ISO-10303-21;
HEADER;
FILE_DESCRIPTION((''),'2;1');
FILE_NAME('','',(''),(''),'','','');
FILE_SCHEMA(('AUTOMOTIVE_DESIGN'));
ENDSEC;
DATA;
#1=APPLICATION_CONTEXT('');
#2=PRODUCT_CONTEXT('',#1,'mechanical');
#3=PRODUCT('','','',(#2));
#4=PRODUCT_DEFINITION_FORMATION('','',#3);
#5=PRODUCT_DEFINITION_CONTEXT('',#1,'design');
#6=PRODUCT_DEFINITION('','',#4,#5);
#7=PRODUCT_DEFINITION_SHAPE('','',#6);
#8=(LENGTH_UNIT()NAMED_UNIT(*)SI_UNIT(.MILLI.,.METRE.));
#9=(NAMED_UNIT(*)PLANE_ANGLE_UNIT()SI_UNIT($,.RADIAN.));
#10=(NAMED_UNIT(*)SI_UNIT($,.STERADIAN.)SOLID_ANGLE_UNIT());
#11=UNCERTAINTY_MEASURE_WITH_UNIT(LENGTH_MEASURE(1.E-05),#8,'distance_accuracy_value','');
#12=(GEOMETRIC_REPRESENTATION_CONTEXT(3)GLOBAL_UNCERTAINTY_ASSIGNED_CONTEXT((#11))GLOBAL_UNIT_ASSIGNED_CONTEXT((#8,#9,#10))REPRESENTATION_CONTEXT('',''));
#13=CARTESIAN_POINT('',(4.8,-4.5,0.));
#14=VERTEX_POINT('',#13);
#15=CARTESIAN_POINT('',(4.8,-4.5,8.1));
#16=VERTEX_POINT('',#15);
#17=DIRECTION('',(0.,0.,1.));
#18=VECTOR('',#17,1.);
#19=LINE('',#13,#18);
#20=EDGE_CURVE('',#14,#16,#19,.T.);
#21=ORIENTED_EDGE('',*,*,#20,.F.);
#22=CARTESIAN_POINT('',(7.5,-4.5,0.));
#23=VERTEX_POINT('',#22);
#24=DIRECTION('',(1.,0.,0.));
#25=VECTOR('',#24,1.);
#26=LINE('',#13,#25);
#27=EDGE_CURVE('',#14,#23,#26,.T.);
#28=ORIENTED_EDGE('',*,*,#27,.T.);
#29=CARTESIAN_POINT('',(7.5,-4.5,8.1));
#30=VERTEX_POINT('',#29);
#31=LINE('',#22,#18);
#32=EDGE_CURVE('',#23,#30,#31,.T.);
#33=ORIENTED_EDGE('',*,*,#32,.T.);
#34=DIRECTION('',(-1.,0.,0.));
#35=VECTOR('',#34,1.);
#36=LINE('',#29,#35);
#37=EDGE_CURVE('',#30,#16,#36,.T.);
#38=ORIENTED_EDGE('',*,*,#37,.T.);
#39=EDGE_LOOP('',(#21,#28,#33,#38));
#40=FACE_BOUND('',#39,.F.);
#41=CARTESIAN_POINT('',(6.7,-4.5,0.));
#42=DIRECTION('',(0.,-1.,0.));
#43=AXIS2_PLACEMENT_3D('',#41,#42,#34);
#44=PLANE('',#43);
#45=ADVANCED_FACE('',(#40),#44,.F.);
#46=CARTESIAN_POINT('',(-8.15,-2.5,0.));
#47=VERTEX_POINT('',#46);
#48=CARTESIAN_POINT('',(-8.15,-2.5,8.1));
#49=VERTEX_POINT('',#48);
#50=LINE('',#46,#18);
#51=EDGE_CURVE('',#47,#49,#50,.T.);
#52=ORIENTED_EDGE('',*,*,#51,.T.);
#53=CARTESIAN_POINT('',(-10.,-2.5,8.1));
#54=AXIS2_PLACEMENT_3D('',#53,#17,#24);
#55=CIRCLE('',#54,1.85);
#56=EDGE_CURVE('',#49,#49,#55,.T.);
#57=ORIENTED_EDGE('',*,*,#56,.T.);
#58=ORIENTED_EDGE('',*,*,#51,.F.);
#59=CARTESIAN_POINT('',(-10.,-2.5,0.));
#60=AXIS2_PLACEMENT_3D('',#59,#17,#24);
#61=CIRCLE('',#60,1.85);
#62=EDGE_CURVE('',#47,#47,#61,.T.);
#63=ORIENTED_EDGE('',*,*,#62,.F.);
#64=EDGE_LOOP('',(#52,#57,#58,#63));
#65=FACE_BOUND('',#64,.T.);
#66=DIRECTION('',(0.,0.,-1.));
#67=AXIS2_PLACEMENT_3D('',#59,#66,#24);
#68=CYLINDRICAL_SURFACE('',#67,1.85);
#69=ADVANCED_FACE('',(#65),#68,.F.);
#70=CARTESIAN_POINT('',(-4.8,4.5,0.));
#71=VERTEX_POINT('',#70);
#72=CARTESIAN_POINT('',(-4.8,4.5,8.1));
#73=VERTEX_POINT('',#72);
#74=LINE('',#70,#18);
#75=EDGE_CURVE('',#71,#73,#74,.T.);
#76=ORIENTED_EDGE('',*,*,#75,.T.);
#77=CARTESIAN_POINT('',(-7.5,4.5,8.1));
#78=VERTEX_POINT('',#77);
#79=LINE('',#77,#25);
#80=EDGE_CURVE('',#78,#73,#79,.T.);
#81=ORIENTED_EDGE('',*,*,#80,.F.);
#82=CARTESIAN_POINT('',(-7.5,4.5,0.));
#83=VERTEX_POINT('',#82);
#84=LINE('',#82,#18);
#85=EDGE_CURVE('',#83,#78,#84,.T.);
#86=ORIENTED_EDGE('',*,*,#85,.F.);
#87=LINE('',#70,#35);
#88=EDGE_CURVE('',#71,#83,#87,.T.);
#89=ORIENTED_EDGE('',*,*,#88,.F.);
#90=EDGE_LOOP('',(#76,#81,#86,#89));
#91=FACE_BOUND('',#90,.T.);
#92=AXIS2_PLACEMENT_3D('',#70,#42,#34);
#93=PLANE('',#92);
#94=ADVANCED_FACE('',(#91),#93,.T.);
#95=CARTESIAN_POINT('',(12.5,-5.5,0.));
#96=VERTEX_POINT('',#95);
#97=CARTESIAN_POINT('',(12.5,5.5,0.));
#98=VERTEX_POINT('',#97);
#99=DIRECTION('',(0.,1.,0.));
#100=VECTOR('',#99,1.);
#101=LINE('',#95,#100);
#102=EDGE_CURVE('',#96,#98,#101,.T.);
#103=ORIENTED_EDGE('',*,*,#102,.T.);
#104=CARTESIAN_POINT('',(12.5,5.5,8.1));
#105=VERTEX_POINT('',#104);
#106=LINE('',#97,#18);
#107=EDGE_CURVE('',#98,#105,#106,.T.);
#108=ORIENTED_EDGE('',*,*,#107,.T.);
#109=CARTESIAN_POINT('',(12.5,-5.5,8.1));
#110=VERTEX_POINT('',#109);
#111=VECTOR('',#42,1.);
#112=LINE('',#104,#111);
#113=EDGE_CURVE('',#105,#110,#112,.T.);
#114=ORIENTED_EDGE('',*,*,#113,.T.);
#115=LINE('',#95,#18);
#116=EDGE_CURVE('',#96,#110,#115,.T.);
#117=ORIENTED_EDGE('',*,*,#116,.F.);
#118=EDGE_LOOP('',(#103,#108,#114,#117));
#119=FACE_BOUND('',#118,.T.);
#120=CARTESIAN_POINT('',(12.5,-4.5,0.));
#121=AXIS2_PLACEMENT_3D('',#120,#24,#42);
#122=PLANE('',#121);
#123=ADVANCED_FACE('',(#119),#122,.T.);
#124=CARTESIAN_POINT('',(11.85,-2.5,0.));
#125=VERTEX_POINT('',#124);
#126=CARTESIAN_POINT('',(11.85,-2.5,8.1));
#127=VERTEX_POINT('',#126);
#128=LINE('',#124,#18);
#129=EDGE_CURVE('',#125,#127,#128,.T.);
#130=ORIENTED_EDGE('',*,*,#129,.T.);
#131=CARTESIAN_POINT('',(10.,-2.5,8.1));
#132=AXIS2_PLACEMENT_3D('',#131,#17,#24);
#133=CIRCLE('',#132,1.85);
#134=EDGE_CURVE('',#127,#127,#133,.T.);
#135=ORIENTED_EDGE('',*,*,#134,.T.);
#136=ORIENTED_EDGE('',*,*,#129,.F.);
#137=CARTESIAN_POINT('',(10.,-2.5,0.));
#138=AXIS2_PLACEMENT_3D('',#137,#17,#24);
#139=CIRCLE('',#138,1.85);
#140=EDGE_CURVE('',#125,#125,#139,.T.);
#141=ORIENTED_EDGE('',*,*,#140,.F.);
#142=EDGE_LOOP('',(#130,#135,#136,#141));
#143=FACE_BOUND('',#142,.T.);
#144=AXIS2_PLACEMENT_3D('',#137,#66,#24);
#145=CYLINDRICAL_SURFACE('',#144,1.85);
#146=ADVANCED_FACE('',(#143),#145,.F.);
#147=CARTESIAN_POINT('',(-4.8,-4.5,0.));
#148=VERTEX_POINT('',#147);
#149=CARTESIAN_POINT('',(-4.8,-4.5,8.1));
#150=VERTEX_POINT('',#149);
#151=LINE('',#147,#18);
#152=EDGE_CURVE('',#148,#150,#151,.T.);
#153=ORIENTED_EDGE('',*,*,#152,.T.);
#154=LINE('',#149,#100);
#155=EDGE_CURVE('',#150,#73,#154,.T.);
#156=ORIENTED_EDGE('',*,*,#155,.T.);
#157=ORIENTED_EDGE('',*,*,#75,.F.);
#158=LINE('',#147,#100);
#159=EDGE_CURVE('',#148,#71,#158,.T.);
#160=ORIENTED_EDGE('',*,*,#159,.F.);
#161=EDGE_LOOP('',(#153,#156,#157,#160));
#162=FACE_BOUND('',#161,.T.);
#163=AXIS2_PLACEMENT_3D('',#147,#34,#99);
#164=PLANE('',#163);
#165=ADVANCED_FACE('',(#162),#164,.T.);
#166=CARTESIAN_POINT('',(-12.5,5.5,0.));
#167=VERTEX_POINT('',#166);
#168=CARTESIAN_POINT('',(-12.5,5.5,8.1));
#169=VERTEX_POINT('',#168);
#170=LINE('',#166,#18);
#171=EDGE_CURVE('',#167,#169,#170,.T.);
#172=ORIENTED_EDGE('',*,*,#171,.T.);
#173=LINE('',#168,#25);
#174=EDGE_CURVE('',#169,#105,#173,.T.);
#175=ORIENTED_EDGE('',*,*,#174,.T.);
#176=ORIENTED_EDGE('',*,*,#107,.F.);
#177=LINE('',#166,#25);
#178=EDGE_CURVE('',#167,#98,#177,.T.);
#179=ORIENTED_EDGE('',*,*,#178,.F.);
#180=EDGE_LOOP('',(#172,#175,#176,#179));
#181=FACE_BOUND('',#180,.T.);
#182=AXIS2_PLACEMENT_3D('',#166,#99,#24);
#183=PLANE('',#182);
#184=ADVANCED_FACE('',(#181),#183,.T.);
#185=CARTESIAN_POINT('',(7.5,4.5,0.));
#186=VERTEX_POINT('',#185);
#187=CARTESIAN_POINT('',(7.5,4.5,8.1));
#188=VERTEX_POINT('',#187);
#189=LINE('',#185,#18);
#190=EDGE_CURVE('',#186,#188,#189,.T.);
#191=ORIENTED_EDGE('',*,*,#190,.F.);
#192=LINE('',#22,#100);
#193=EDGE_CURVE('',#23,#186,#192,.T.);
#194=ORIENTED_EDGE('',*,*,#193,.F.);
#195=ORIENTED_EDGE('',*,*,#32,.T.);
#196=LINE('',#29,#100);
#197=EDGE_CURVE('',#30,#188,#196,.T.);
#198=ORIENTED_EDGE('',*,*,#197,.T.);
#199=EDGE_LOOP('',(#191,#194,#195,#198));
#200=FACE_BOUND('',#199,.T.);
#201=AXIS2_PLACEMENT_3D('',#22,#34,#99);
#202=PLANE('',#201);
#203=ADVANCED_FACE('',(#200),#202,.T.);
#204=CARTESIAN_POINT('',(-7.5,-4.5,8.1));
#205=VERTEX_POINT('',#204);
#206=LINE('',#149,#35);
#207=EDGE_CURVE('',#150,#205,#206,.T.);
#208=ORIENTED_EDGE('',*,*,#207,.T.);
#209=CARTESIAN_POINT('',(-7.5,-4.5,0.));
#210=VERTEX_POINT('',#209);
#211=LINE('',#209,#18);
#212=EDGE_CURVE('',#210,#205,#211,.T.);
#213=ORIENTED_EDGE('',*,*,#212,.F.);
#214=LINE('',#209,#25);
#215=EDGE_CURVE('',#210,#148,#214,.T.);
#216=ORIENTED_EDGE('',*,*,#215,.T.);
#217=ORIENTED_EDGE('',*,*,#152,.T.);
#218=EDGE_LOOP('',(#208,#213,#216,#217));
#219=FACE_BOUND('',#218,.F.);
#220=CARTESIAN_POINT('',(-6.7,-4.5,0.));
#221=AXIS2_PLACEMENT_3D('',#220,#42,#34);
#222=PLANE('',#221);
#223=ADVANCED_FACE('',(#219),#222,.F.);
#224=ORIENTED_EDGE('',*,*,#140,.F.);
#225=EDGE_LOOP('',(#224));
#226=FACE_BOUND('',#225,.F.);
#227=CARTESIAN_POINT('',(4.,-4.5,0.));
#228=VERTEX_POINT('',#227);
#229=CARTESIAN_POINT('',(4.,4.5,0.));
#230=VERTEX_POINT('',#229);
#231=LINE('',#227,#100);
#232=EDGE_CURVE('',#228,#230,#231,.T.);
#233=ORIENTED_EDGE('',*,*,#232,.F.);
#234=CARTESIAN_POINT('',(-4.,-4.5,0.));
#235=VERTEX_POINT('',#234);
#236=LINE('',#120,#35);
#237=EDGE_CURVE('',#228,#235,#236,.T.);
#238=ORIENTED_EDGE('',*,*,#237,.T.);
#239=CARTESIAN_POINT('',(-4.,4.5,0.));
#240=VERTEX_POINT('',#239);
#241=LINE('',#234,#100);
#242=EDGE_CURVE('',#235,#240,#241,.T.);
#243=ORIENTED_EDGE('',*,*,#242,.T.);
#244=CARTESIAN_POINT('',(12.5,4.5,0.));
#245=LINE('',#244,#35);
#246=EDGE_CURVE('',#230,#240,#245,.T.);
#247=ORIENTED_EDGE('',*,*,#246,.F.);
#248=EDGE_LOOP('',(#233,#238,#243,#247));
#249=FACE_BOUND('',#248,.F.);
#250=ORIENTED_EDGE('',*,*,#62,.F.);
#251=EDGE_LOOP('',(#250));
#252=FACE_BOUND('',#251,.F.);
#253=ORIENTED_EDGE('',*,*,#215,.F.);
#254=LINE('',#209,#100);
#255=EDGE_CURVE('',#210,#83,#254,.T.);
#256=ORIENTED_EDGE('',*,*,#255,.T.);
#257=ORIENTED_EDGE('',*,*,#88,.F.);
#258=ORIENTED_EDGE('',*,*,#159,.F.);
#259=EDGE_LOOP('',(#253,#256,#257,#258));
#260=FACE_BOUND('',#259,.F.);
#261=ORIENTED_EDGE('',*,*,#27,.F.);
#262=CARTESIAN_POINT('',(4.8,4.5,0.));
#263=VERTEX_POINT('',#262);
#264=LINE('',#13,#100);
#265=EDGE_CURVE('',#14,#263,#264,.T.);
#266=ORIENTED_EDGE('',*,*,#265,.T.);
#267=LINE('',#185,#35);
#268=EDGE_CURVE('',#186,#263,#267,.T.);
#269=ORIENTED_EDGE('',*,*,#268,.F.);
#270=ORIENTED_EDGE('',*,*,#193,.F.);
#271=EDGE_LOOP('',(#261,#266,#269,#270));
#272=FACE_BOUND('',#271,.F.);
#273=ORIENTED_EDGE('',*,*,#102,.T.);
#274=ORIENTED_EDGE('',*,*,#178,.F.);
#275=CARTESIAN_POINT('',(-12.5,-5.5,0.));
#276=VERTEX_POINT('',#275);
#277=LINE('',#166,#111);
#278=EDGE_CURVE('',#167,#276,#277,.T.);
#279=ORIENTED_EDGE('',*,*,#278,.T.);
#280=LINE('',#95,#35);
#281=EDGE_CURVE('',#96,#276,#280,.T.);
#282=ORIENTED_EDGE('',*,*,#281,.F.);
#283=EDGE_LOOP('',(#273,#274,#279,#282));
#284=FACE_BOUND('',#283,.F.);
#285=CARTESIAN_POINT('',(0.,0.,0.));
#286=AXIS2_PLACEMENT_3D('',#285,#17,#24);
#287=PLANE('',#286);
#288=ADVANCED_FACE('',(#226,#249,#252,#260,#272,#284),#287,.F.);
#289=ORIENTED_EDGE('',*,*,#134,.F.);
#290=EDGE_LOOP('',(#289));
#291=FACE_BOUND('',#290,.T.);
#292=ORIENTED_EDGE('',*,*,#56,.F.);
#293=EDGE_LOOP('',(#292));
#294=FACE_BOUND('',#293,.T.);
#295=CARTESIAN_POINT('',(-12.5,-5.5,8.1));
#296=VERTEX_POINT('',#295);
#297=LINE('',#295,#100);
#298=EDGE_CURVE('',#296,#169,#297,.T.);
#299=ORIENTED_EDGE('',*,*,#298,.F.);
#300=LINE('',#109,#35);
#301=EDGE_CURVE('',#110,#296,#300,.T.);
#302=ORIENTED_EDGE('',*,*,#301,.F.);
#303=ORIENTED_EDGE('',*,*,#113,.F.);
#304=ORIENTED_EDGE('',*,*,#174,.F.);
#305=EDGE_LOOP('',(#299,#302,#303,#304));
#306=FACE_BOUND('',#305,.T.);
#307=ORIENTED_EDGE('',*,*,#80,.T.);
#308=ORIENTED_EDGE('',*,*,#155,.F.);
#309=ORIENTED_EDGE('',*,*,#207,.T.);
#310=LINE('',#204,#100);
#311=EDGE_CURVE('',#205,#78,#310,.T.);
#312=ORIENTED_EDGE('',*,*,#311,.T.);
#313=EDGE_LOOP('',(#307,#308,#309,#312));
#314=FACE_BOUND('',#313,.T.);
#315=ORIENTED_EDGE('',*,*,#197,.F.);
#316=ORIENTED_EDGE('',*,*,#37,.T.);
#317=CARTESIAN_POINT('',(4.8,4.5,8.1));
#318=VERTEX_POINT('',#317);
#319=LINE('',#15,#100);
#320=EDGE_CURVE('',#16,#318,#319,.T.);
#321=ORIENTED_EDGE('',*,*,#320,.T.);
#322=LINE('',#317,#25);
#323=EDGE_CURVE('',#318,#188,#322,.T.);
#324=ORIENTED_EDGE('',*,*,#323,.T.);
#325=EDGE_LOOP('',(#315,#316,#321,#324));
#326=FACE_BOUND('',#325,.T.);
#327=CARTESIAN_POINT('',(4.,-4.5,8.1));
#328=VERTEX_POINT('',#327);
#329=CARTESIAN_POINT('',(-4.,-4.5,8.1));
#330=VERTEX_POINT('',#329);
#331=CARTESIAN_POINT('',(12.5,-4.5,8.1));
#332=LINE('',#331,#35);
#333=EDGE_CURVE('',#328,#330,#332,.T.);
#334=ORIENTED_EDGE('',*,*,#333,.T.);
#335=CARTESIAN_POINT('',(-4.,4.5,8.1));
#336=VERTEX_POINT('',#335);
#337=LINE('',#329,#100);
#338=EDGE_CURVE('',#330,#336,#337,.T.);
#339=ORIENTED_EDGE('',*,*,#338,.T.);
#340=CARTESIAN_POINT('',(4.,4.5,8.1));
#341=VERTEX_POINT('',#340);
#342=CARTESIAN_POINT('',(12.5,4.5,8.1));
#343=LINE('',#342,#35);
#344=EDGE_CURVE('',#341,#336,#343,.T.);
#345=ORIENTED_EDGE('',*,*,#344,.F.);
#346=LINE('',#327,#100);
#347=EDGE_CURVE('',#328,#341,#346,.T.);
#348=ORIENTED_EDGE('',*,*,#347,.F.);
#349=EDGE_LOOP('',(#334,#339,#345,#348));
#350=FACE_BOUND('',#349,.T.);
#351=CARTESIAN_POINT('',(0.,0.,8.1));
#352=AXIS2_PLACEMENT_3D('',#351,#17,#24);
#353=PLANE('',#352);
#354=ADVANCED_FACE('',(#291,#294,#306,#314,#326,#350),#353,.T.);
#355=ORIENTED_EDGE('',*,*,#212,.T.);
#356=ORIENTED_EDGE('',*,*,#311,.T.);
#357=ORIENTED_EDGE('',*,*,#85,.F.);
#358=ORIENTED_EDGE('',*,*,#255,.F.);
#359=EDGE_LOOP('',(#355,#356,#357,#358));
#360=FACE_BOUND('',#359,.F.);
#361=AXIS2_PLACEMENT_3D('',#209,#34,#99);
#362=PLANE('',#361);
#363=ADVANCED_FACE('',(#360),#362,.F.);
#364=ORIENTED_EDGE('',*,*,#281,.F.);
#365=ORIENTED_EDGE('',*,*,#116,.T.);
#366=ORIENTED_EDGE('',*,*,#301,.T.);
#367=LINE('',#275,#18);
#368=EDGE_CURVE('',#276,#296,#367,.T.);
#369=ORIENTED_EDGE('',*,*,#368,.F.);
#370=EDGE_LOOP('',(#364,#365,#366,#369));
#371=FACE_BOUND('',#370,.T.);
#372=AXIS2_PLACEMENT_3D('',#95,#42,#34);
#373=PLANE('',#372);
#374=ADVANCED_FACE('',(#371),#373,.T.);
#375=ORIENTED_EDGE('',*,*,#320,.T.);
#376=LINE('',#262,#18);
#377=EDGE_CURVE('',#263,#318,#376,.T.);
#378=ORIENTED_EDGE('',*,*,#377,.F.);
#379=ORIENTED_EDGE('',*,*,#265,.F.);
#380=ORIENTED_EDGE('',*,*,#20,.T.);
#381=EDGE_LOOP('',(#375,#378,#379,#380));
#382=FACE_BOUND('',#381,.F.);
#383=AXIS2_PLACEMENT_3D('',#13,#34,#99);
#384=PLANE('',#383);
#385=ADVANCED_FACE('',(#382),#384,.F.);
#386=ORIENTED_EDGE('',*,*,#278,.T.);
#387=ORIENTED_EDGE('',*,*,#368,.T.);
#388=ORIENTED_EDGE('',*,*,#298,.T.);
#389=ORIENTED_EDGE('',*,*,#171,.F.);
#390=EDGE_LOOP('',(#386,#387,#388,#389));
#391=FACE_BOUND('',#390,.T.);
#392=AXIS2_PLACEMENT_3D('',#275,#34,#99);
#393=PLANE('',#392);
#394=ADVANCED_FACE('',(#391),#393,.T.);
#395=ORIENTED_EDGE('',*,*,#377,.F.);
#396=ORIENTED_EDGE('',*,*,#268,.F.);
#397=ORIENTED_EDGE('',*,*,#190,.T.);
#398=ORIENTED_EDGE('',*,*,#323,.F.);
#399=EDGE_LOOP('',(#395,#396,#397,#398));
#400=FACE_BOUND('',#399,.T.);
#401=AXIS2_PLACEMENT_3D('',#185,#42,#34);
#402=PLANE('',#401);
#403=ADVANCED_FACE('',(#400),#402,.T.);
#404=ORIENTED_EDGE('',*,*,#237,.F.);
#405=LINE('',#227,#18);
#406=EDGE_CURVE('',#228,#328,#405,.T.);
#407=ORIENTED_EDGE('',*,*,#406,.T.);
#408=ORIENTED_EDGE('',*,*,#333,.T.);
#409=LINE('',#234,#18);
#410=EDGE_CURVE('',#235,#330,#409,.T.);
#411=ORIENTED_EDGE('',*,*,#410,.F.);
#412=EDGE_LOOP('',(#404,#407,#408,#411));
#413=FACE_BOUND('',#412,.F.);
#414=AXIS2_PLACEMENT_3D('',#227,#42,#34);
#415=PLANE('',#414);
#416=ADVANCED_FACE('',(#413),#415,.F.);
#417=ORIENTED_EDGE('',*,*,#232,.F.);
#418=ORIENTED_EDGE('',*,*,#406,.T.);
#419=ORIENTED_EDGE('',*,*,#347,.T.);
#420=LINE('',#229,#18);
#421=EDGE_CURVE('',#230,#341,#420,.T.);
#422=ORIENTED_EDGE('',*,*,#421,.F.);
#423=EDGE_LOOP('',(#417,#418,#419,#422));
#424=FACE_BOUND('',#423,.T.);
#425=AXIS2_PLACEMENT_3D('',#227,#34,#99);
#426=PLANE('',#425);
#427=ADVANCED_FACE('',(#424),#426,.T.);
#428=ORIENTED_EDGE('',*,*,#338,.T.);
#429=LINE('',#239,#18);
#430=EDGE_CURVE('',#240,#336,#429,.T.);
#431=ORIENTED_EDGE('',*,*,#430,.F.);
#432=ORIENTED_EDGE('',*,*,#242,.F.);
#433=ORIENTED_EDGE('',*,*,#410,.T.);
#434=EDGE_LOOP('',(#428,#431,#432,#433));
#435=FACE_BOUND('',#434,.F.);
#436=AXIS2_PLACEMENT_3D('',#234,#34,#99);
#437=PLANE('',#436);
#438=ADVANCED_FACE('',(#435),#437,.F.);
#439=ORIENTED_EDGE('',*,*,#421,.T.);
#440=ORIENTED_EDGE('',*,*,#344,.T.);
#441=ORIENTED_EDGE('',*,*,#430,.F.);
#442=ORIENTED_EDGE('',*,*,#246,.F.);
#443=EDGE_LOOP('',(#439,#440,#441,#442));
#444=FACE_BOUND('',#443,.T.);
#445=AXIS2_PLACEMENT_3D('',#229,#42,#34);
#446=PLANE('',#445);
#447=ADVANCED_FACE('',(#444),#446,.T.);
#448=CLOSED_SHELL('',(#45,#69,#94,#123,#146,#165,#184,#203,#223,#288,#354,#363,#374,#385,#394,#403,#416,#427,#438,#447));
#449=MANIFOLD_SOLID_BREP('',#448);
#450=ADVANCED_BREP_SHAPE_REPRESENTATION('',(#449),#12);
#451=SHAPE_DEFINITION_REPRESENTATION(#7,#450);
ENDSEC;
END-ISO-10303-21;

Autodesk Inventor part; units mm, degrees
ref_plane "YZ Plane" through (0, 0, 0) normal (1, 0, 0) x (0, 1, 0)
ref_plane "XZ Plane" through (0, 0, 0) normal (0, 1, 0) x (-1, 0, 0)
ref_plane "XY Plane" through (0, 0, 0) normal (0, 0, 1) x (1, 0, 0)
sketch "スケッチ1" plane through (0, 0, 0) normal (0, 0, 1) x (1, 0, 0)
  line L0 (12.5, -5.5) -> (-12.5, -5.5)
  line L1 (-12.5, -5.5) -> (-12.5, 5.5)
  line L2 (-12.5, 5.5) -> (12.5, 5.5)
  line L3 (12.5, 5.5) -> (12.5, -5.5)
  line L4 (12.5, -5.5) -> (-12.5, 5.5) construction
  line L5 (-12.5, -5.5) -> (12.5, 5.5) construction
  circle A0 centre (10, -2.5) radius 1.85
  circle A1 centre (-10, -2.5) radius 1.85
  line L6 (12.5, -4.5) -> (-12.5, -4.5)
  line L7 (12.5, 4.5) -> (-12.5, 4.5)
  line L8 (4, -4.5) -> (4, 4.5)
  line L9 (-4, -4.5) -> (-4, 4.5)
  line L10 (4.8, -4.5) -> (4.8, 4.5)
  line L11 (-4.8, -4.5) -> (-4.8, 4.5)
  line L12 (7.5, -4.5) -> (7.5, 4.5)
  line L13 (6.7, -4.5) -> (6.7, 4.5)
  line L14 (-7.5, -4.5) -> (-7.5, 4.5)
  line L15 (-6.7, -4.5) -> (-6.7, 4.5)
  point P0 (0, 0)
  dimension "d0" = 25
  dimension "d1" = 11
  dimension "d2" = 3.7
  dimension "d3" = 3.7
extrude "押し出し1" add sketch "スケッチ1" along normal blind 8.1 contours L0 L1 L6 L3 | L6 L12 L7 L3 | L1 L7 L14 L6 | L7 L1 L2 L3 | L6 L8 L7 L10 | L11 L7 L9 L6
properties part number "griper_base_TPU-2" material "ゴム、シリコーン"
